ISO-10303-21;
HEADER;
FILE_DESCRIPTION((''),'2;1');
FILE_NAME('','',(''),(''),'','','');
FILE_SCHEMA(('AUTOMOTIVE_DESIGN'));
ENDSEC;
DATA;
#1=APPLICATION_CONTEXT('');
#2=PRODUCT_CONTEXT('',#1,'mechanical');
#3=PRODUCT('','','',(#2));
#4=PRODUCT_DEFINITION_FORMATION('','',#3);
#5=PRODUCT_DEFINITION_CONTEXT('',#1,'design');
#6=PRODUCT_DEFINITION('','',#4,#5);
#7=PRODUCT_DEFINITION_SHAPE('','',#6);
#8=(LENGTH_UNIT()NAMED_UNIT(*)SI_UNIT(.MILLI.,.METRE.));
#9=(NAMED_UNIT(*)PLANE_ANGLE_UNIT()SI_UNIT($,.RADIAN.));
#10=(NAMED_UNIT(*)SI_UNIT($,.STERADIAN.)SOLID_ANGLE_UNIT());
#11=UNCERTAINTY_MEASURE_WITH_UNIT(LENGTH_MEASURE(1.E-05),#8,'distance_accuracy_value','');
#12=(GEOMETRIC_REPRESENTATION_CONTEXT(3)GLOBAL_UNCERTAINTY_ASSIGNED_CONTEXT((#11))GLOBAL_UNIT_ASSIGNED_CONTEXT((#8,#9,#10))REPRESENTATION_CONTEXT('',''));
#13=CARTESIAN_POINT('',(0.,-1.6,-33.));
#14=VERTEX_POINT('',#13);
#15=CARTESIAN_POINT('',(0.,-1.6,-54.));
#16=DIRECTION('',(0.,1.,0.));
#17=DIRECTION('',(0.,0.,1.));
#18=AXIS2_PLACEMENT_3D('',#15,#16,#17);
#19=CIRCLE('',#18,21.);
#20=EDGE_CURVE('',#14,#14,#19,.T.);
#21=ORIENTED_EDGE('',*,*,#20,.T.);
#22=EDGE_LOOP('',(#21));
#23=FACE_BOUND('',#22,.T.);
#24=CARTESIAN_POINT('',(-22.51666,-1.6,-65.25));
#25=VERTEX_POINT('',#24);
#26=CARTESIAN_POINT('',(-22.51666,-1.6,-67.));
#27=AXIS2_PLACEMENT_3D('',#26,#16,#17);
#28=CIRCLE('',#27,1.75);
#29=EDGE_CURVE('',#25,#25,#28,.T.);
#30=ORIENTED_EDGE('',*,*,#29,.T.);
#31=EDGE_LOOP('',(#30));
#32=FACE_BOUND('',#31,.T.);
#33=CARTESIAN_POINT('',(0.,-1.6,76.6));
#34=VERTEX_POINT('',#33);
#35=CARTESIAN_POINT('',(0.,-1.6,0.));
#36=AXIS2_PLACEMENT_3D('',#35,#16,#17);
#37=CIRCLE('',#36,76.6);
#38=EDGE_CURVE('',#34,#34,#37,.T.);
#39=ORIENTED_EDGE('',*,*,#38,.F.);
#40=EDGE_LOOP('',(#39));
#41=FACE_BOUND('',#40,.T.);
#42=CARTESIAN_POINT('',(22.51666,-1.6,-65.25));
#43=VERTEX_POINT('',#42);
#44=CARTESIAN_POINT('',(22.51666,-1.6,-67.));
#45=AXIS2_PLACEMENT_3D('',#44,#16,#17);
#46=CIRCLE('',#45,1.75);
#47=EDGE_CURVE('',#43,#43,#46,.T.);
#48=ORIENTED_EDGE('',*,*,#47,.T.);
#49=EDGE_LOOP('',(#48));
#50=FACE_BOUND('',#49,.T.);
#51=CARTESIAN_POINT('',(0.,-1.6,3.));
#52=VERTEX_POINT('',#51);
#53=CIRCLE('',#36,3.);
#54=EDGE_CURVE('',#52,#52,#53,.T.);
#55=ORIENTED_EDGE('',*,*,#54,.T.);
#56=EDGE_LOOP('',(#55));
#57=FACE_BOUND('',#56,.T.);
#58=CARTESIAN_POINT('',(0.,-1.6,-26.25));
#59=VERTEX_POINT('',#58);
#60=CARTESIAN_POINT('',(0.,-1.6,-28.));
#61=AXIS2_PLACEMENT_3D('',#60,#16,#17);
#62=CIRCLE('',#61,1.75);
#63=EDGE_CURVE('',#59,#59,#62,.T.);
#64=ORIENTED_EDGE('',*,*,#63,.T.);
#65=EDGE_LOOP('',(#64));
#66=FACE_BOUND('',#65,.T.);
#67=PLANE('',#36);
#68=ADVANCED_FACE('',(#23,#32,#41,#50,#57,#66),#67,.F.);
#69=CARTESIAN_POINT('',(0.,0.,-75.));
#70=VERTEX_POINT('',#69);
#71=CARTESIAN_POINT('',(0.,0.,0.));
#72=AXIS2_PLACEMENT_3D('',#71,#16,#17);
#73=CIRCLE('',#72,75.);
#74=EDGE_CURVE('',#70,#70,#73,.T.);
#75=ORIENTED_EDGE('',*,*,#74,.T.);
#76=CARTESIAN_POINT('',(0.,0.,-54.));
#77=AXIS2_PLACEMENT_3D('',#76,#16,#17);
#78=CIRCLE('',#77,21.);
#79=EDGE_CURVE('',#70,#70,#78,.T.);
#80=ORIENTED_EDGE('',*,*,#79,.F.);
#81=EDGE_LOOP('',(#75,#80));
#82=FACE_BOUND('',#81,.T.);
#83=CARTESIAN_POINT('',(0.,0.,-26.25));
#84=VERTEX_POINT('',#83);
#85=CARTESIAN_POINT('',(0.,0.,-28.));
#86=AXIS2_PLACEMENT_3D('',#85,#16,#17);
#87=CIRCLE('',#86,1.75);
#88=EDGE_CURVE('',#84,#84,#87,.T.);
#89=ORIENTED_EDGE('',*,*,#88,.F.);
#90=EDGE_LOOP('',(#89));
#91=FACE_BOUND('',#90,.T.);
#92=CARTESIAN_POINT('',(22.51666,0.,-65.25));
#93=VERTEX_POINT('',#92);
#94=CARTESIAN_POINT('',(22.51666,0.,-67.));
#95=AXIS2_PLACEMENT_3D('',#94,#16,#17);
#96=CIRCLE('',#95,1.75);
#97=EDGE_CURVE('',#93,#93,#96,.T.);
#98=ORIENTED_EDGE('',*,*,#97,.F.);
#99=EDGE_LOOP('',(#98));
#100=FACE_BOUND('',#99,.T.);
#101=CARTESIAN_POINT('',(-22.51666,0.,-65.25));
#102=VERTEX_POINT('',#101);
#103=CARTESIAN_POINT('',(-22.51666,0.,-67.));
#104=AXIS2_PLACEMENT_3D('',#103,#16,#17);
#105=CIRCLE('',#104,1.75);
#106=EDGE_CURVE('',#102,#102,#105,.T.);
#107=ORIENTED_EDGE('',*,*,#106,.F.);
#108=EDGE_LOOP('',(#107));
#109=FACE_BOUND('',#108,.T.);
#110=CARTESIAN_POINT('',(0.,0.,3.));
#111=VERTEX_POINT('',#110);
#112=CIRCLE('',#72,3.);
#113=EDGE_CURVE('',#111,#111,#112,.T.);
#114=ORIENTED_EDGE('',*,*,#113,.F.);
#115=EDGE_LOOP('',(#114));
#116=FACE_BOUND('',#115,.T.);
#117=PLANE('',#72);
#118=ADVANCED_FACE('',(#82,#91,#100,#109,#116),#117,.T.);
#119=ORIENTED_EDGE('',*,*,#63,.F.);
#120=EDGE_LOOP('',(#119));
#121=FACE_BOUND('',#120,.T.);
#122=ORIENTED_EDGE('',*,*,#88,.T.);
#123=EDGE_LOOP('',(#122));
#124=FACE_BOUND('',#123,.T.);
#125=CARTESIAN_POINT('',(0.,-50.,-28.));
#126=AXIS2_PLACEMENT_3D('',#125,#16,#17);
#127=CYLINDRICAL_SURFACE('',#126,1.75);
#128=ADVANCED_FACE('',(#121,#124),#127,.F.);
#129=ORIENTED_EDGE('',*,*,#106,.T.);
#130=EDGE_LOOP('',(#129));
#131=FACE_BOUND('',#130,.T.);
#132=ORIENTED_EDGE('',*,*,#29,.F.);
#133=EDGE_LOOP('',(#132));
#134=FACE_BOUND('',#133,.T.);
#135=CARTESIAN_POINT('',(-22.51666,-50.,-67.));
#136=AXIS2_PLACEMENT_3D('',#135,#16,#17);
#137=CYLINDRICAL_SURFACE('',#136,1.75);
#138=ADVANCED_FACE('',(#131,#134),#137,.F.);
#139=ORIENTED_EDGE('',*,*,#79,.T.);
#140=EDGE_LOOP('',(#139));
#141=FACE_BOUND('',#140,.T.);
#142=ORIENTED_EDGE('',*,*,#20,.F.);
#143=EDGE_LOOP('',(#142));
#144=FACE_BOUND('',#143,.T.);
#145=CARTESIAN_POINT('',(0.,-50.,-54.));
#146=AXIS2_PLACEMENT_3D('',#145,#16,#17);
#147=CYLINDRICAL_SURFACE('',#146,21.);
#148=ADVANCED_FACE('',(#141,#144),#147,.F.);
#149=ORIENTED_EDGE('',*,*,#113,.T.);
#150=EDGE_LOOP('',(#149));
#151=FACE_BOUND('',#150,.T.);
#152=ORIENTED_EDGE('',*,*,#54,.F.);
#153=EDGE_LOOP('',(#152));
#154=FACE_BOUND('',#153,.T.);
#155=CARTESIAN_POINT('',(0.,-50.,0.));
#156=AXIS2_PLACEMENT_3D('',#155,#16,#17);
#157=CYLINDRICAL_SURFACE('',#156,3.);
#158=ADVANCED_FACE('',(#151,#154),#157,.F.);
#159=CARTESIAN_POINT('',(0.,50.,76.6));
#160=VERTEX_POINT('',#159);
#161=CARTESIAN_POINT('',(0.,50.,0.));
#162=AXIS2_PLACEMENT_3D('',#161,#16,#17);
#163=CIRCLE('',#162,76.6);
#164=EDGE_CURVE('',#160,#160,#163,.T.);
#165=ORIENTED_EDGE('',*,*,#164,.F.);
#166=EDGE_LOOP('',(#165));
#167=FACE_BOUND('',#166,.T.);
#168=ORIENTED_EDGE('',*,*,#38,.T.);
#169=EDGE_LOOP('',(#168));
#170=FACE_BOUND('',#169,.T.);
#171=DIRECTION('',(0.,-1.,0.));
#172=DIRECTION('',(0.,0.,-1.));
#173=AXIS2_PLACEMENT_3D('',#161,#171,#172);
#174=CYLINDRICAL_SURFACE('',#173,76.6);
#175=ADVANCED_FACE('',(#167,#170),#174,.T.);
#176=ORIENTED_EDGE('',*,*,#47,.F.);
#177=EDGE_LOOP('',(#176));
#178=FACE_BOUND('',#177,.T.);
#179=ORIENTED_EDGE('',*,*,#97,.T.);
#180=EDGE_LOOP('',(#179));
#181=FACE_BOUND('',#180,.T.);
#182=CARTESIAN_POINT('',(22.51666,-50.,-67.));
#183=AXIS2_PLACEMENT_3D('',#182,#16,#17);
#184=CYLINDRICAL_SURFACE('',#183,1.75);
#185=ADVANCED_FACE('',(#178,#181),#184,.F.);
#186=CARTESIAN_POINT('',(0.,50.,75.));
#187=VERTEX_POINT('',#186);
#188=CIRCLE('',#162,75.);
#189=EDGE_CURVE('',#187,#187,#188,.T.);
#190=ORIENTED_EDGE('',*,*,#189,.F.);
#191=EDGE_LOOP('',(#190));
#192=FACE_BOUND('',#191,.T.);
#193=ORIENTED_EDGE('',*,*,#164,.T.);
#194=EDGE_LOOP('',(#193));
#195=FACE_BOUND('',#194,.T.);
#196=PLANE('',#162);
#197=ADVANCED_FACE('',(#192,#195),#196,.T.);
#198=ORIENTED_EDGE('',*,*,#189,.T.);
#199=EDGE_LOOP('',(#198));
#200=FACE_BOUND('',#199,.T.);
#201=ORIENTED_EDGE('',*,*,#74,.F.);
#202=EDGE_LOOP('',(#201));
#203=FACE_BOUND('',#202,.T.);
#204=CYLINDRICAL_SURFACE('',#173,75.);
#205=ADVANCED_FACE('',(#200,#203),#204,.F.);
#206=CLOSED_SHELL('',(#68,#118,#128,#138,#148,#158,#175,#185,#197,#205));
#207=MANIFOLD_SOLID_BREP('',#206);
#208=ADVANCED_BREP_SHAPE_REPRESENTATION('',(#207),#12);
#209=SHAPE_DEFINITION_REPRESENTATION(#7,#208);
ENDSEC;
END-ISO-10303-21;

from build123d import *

# Parameters (mm, degrees)
SKETCH1_R           = 75
BOSS_EXTRUDE1_DEPTH = 50
SHELL1_T            = 1.6
SKETCH2_R           = 21
CUT_EXTRUDE1_DEPTH  = 50
SKETCH3_R           = 1.75
CUT_EXTRUDE2_DEPTH  = 50
SKETCH4_R           = 3
CUT_EXTRUDE3_DEPTH  = 50


with BuildPart() as part:
    # Sketch1 → Boss-Extrude1 (new body)
    with BuildSketch(Plane(origin=(0, 0, 0), x_dir=(1, 0, 0), z_dir=(0, 1, 0))):
        with Locations(Location((0, 0, 0), (0, 0, 270))):
            Circle(SKETCH1_R)
    extrude(amount=BOSS_EXTRUDE1_DEPTH)

    # Shell1
    shell1_openings = [part.faces().sort_by_distance(p)[0] for p in [
        (0, 50, 0),
    ]]
    offset(amount=SHELL1_T, openings=shell1_openings, kind=Kind.INTERSECTION)

    # Sketch2 → Cut-Extrude1 (cut)
    with BuildSketch(Plane(origin=(0, 0, 0), x_dir=(1, 0, 0), z_dir=(0, 1, 0))):
        with Locations(Location((0, 54, 0), (0, 0, 270))):
            Circle(SKETCH2_R)
    extrude(amount=-CUT_EXTRUDE1_DEPTH, mode=Mode.SUBTRACT)

    # Sketch3 → Cut-Extrude2 (cut)
    with BuildSketch(Plane(origin=(0, 0, 0), x_dir=(1, 0, 0), z_dir=(0, 1, 0))):
        with Locations(Location((0, 28, 0), (0, 0, 270))):
            Circle(SKETCH3_R)
        with Locations(Location((-22.516660498, 67, 0), (0, 0, 270))):
            Circle(SKETCH3_R)
        with Locations(Location((22.516660498, 67, 0), (0, 0, 270))):
            Circle(SKETCH3_R)
    extrude(amount=-CUT_EXTRUDE2_DEPTH, mode=Mode.SUBTRACT)

    # Sketch4 → Cut-Extrude3 (cut)
    with BuildSketch(Plane(origin=(0, 0, 0), x_dir=(1, 0, 0), z_dir=(0, 1, 0))):
        with Locations(Location((0, 0, 0), (0, 0, 270))):
            Circle(SKETCH4_R)
    extrude(amount=-CUT_EXTRUDE3_DEPTH, mode=Mode.SUBTRACT)


solid = part.part
